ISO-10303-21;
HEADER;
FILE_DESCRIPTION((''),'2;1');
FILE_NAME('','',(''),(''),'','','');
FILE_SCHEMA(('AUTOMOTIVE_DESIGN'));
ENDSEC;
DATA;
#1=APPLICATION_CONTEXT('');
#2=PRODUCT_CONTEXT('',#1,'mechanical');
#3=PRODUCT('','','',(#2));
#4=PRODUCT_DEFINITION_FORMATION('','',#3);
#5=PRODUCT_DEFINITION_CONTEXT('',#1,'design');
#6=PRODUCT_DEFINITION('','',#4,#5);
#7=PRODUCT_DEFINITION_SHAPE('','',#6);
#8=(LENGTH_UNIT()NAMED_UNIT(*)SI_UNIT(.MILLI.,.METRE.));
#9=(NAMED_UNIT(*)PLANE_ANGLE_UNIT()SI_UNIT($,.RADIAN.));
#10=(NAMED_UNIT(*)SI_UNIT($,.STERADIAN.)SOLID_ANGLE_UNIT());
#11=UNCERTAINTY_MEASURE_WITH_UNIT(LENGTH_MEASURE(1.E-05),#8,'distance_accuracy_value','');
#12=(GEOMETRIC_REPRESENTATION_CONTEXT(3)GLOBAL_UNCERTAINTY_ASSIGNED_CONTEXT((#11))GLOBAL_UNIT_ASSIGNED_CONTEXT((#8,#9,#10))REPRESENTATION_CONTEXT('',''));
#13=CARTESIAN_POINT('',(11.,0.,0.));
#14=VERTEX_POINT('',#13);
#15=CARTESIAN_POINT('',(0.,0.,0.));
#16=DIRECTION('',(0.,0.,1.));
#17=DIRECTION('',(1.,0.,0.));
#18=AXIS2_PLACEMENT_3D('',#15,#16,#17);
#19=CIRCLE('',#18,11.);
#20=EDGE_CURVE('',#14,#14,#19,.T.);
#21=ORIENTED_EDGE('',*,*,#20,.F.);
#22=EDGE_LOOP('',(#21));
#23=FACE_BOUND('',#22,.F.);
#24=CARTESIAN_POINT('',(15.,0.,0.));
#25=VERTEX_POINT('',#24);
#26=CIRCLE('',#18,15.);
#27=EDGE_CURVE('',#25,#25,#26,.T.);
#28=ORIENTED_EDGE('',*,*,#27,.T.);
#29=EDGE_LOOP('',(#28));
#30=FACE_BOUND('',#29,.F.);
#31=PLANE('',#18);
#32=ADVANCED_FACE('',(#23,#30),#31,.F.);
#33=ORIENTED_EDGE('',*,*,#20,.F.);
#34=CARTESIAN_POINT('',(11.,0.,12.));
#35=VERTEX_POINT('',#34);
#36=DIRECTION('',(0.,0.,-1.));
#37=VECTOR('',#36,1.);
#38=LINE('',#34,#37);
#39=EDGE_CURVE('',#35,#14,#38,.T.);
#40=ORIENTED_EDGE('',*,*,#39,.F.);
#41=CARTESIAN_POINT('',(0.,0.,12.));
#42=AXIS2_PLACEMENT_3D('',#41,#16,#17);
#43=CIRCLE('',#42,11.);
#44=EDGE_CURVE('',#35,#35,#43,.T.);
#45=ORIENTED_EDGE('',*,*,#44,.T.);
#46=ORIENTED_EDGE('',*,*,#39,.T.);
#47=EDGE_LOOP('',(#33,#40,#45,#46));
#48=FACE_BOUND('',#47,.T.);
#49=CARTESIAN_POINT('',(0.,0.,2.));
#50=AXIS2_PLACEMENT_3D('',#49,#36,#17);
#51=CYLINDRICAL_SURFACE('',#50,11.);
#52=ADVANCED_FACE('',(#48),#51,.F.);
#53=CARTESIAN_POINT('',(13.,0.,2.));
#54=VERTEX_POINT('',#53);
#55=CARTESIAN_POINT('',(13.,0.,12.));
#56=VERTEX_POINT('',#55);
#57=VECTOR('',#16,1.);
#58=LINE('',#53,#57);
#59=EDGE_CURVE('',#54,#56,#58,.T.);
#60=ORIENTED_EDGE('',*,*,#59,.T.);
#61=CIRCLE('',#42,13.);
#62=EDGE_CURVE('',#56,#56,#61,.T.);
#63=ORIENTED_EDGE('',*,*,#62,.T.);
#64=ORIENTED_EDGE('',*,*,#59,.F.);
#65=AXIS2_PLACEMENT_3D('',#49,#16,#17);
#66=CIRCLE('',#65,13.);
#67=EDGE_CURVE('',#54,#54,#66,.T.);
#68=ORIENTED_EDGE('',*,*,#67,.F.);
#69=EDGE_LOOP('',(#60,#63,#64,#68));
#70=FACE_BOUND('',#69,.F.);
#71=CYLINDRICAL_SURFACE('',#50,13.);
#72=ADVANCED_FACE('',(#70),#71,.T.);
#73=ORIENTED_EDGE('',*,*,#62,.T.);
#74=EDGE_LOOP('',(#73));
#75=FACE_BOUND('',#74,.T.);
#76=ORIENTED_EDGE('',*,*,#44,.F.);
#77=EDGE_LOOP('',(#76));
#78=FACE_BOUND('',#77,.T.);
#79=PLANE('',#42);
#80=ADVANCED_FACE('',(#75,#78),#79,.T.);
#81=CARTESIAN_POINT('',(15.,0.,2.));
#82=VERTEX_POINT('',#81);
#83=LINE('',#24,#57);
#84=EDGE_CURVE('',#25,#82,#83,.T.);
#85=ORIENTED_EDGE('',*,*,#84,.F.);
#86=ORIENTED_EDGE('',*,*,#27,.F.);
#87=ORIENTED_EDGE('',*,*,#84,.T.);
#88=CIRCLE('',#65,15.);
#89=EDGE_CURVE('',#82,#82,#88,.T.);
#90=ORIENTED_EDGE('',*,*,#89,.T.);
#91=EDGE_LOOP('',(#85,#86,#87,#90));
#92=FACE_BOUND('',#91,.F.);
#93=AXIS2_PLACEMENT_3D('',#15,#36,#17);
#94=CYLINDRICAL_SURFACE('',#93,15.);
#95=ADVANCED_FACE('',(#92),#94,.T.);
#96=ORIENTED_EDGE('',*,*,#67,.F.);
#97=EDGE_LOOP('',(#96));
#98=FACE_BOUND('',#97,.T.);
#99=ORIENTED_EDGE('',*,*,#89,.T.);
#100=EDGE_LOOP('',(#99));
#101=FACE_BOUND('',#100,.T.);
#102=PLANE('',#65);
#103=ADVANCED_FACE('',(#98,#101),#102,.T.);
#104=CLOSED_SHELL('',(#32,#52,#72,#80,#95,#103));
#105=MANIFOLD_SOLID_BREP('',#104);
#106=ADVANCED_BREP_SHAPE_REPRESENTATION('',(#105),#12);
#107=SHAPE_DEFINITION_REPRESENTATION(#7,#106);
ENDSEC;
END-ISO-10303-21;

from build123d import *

# Parameters (mm, degrees)
SKETCH_R      = 15
SKETCH_R_2    = 11
PAD_DEPTH     = 2
SKETCH001_R   = 13
SKETCH001_R_2 = 11
PAD001_DEPTH  = 10


with BuildPart() as part:
    # Sketch → Pad (new body)
    with BuildSketch(Plane.XY):
        Circle(SKETCH_R)
        Circle(SKETCH_R_2, mode=Mode.SUBTRACT)
    extrude(amount=PAD_DEPTH)

    # Sketch001 (on Face4 of Pad) → Pad001 (join)
    with BuildSketch(Plane.XY.offset(2)):
        Circle(SKETCH001_R)
        Circle(SKETCH001_R_2, mode=Mode.SUBTRACT)
    extrude(amount=PAD001_DEPTH)


solid = part.part
